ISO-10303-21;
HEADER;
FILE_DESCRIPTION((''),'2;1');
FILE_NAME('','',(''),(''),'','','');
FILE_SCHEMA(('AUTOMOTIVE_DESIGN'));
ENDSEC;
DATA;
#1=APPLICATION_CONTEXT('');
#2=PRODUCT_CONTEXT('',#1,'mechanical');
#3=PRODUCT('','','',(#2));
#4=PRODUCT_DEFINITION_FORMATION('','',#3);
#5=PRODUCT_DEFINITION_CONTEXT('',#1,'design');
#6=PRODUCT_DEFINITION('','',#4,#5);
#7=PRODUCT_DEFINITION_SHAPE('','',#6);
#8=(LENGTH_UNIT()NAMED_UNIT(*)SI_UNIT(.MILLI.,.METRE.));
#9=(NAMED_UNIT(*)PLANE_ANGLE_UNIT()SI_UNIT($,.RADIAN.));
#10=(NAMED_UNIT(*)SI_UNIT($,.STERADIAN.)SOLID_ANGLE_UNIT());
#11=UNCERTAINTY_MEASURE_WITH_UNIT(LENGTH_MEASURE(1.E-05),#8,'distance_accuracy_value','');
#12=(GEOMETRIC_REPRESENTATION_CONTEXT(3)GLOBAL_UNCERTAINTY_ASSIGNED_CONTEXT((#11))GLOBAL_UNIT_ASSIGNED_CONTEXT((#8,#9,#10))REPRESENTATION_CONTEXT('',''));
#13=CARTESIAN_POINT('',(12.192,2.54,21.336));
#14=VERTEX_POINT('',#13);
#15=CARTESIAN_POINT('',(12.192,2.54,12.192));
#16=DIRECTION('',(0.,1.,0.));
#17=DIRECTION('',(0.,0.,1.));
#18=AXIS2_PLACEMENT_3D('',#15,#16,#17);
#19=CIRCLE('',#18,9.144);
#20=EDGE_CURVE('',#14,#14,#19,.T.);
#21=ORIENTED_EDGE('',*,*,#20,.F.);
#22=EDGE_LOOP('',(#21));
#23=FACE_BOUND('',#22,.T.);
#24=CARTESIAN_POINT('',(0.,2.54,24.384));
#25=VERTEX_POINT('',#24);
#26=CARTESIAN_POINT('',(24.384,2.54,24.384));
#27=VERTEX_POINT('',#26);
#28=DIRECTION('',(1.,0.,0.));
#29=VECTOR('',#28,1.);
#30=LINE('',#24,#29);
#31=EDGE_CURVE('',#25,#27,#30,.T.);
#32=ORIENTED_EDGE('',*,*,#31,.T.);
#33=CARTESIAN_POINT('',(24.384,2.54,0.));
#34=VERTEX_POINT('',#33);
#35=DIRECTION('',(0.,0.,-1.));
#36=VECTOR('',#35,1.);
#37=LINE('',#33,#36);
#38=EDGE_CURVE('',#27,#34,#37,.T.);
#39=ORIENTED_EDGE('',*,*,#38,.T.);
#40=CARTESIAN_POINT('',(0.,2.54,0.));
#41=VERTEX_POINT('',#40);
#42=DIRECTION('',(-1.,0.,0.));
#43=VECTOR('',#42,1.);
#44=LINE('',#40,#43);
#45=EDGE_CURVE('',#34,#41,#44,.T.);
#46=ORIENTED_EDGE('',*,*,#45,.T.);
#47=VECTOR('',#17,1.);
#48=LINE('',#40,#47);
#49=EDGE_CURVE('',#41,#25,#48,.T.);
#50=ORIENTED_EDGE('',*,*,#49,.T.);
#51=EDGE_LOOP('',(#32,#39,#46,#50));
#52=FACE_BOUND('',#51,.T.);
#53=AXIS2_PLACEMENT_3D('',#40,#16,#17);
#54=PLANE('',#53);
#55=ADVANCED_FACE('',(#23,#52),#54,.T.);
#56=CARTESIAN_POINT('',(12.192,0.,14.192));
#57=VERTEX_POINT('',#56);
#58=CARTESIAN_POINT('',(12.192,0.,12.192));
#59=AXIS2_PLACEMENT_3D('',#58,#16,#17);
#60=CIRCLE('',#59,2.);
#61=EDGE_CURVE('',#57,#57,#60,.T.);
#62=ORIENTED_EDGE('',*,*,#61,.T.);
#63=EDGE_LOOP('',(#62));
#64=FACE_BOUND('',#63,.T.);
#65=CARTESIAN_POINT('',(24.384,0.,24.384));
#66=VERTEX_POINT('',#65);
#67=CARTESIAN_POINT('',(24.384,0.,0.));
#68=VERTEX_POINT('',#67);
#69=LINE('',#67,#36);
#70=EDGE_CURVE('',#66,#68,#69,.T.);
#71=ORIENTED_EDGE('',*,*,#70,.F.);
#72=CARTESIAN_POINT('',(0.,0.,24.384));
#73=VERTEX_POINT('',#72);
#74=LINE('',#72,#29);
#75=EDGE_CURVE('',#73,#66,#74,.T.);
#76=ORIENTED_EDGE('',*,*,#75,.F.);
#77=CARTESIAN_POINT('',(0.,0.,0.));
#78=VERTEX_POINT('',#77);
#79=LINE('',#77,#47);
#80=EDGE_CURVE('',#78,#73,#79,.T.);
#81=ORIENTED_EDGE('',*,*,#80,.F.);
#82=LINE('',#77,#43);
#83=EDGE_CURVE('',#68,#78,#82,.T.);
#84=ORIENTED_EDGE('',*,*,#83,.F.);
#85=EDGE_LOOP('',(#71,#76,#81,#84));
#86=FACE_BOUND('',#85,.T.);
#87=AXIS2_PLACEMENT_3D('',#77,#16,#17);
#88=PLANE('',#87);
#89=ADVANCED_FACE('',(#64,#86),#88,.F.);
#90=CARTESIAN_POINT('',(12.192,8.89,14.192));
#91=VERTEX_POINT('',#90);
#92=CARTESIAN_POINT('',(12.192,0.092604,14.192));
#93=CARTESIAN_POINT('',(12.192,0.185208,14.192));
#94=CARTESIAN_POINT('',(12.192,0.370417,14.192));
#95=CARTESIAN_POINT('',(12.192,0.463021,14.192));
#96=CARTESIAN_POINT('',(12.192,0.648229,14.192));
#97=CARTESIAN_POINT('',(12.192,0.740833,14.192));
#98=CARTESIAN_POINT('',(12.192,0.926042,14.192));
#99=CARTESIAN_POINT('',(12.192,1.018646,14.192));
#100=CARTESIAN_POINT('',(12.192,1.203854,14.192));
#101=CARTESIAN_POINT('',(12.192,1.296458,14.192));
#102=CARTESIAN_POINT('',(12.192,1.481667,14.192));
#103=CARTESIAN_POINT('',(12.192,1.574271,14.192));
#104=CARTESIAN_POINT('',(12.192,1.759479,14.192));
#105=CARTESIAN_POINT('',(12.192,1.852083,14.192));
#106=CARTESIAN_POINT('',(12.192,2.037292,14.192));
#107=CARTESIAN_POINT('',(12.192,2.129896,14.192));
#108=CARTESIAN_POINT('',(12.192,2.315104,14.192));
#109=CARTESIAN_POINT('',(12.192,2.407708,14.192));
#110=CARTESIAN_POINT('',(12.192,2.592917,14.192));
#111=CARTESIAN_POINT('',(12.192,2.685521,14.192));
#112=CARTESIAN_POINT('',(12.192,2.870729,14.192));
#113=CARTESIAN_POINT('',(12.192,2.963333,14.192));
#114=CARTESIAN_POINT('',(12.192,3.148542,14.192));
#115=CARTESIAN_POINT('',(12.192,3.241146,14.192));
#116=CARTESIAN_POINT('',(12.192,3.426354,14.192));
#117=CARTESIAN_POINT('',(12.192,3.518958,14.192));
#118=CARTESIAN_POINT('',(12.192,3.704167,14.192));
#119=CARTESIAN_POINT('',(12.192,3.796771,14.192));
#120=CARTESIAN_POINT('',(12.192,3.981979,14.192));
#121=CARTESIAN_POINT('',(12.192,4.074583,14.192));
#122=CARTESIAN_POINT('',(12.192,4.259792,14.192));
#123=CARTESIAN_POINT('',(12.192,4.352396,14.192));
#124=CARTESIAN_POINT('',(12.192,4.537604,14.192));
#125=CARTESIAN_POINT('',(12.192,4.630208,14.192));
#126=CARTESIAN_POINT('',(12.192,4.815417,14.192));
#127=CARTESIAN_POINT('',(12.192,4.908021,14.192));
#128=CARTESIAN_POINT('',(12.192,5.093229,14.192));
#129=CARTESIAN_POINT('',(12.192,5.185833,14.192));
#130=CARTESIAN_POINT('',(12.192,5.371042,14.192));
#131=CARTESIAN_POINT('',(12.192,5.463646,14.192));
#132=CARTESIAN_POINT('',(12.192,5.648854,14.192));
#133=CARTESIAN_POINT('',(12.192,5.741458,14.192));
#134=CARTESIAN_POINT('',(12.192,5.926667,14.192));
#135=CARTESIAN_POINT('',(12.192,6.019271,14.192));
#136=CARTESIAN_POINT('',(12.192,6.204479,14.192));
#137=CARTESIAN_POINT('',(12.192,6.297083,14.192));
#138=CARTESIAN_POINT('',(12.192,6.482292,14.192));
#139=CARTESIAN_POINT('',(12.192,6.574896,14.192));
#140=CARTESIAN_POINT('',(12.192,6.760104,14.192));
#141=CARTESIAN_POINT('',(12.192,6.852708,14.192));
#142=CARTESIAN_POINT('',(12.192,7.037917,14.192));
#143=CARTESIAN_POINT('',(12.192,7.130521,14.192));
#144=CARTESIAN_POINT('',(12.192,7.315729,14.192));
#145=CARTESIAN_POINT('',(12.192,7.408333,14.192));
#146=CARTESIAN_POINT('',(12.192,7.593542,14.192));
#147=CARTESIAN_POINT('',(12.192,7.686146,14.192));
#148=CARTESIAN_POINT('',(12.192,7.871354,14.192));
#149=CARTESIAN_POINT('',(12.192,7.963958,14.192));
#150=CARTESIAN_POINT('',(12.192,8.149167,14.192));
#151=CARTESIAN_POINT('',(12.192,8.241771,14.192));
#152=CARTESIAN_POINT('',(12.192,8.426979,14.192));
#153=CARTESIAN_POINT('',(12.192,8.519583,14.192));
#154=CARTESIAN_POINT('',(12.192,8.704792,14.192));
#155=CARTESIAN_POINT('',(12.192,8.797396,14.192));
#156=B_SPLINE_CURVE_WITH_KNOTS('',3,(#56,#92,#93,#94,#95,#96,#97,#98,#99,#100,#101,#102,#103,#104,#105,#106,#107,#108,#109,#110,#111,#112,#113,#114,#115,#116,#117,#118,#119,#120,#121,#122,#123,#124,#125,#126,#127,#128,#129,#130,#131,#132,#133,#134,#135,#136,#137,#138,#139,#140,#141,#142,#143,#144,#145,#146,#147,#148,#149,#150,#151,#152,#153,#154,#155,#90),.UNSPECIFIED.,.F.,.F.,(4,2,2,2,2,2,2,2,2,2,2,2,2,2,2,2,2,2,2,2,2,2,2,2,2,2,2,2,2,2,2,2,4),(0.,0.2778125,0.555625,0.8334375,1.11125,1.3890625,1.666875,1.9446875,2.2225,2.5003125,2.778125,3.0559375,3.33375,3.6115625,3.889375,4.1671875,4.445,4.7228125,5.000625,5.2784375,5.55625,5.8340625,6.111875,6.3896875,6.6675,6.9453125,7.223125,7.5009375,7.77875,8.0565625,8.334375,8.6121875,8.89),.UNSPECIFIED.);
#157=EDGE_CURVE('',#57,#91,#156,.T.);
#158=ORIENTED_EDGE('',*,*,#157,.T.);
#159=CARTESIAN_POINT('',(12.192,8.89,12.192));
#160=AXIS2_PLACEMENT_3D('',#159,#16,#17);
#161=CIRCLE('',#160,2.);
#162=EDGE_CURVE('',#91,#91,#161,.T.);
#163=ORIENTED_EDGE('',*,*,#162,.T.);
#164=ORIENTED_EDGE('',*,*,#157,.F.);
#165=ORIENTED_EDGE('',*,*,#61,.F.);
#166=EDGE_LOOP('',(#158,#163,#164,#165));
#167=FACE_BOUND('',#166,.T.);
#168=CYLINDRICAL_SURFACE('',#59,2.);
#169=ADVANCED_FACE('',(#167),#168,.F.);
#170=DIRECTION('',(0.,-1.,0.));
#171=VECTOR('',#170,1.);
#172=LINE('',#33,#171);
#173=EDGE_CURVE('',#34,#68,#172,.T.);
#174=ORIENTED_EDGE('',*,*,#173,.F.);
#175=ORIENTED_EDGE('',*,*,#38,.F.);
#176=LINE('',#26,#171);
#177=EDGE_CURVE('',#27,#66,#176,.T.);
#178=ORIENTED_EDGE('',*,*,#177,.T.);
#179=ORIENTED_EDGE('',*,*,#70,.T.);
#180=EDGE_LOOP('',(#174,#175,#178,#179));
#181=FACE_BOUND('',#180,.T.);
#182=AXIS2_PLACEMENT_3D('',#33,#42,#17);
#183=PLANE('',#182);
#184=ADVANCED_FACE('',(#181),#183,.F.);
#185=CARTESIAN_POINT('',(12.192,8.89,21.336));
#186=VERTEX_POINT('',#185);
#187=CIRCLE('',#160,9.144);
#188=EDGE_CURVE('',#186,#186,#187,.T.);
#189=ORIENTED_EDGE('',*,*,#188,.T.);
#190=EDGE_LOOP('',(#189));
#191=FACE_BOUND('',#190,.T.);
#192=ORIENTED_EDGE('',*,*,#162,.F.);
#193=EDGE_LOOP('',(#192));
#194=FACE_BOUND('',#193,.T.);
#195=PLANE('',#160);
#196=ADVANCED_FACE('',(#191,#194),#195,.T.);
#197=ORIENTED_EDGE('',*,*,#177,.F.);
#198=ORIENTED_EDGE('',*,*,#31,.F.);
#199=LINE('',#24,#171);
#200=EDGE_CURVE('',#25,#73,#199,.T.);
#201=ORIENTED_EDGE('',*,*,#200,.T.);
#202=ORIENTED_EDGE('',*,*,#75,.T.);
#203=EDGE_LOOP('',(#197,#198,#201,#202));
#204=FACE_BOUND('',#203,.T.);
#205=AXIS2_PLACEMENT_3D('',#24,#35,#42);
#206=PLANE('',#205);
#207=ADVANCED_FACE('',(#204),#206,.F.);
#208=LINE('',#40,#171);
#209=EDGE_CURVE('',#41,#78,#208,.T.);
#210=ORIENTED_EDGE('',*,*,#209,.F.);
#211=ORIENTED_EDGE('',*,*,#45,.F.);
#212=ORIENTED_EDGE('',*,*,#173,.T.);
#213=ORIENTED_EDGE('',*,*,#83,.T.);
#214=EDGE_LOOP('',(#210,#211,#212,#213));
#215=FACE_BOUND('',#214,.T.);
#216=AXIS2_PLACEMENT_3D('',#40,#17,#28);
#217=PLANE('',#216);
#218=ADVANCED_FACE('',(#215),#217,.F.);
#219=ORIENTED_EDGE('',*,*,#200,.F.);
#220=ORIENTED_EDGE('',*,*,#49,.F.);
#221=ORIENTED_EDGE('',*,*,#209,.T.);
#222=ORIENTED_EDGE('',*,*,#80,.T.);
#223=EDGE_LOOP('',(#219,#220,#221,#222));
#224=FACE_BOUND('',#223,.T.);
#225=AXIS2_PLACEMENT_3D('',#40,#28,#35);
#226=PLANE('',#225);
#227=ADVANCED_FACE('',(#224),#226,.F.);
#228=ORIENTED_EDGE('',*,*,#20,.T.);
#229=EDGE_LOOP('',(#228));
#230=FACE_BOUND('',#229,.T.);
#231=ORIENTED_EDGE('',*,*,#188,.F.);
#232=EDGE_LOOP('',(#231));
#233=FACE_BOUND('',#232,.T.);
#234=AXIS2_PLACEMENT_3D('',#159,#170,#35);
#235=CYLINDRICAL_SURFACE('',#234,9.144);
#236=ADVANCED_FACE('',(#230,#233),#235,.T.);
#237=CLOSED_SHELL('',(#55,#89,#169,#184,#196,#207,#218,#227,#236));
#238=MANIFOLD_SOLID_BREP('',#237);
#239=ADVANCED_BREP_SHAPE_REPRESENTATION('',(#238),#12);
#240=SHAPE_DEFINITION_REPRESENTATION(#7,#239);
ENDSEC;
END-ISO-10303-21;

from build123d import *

# Parameters (mm, degrees)
SKETCH1_W           = 24.384
SKETCH1_H           = 24.384
BOSS_EXTRUDE1_DEPTH = 2.54
SKETCH2_R           = 9.144
BOSS_EXTRUDE2_DEPTH = 6.35
SKETCH3_R           = 2
CUT_EXTRUDE1_DEPTH  = 36.611669604


with BuildPart() as part:
    # Sketch1 → Boss-Extrude1 (new body)
    with BuildSketch(Plane(origin=(0, 0, 0), x_dir=(1, 0, 0), z_dir=(0, 1, 0))):
        with Locations((12.192, -12.192)):
            Rectangle(SKETCH1_W, SKETCH1_H)
    extrude(amount=BOSS_EXTRUDE1_DEPTH)

    # Sketch2 → Boss-Extrude2 (add)
    with BuildSketch(Plane(origin=(0, 2.54, 0), x_dir=(1, 0, 0), z_dir=(0, 1, 0))):
        with Locations(Location((12.192, -12.192, 0), (0, 0, 270))):
            Circle(SKETCH2_R)
    extrude(amount=BOSS_EXTRUDE2_DEPTH)

    # Sketch3 → Cut-Extrude1 (cut, through all)
    with BuildSketch(Plane(origin=(0, 8.89, 0), x_dir=(1, 0, 0), z_dir=(0, 1, 0))):
        with Locations(Location((12.192, -12.192, 0), (0, 0, 270))):
            Circle(SKETCH3_R)
    extrude(amount=-CUT_EXTRUDE1_DEPTH, mode=Mode.SUBTRACT)


solid = part.part
